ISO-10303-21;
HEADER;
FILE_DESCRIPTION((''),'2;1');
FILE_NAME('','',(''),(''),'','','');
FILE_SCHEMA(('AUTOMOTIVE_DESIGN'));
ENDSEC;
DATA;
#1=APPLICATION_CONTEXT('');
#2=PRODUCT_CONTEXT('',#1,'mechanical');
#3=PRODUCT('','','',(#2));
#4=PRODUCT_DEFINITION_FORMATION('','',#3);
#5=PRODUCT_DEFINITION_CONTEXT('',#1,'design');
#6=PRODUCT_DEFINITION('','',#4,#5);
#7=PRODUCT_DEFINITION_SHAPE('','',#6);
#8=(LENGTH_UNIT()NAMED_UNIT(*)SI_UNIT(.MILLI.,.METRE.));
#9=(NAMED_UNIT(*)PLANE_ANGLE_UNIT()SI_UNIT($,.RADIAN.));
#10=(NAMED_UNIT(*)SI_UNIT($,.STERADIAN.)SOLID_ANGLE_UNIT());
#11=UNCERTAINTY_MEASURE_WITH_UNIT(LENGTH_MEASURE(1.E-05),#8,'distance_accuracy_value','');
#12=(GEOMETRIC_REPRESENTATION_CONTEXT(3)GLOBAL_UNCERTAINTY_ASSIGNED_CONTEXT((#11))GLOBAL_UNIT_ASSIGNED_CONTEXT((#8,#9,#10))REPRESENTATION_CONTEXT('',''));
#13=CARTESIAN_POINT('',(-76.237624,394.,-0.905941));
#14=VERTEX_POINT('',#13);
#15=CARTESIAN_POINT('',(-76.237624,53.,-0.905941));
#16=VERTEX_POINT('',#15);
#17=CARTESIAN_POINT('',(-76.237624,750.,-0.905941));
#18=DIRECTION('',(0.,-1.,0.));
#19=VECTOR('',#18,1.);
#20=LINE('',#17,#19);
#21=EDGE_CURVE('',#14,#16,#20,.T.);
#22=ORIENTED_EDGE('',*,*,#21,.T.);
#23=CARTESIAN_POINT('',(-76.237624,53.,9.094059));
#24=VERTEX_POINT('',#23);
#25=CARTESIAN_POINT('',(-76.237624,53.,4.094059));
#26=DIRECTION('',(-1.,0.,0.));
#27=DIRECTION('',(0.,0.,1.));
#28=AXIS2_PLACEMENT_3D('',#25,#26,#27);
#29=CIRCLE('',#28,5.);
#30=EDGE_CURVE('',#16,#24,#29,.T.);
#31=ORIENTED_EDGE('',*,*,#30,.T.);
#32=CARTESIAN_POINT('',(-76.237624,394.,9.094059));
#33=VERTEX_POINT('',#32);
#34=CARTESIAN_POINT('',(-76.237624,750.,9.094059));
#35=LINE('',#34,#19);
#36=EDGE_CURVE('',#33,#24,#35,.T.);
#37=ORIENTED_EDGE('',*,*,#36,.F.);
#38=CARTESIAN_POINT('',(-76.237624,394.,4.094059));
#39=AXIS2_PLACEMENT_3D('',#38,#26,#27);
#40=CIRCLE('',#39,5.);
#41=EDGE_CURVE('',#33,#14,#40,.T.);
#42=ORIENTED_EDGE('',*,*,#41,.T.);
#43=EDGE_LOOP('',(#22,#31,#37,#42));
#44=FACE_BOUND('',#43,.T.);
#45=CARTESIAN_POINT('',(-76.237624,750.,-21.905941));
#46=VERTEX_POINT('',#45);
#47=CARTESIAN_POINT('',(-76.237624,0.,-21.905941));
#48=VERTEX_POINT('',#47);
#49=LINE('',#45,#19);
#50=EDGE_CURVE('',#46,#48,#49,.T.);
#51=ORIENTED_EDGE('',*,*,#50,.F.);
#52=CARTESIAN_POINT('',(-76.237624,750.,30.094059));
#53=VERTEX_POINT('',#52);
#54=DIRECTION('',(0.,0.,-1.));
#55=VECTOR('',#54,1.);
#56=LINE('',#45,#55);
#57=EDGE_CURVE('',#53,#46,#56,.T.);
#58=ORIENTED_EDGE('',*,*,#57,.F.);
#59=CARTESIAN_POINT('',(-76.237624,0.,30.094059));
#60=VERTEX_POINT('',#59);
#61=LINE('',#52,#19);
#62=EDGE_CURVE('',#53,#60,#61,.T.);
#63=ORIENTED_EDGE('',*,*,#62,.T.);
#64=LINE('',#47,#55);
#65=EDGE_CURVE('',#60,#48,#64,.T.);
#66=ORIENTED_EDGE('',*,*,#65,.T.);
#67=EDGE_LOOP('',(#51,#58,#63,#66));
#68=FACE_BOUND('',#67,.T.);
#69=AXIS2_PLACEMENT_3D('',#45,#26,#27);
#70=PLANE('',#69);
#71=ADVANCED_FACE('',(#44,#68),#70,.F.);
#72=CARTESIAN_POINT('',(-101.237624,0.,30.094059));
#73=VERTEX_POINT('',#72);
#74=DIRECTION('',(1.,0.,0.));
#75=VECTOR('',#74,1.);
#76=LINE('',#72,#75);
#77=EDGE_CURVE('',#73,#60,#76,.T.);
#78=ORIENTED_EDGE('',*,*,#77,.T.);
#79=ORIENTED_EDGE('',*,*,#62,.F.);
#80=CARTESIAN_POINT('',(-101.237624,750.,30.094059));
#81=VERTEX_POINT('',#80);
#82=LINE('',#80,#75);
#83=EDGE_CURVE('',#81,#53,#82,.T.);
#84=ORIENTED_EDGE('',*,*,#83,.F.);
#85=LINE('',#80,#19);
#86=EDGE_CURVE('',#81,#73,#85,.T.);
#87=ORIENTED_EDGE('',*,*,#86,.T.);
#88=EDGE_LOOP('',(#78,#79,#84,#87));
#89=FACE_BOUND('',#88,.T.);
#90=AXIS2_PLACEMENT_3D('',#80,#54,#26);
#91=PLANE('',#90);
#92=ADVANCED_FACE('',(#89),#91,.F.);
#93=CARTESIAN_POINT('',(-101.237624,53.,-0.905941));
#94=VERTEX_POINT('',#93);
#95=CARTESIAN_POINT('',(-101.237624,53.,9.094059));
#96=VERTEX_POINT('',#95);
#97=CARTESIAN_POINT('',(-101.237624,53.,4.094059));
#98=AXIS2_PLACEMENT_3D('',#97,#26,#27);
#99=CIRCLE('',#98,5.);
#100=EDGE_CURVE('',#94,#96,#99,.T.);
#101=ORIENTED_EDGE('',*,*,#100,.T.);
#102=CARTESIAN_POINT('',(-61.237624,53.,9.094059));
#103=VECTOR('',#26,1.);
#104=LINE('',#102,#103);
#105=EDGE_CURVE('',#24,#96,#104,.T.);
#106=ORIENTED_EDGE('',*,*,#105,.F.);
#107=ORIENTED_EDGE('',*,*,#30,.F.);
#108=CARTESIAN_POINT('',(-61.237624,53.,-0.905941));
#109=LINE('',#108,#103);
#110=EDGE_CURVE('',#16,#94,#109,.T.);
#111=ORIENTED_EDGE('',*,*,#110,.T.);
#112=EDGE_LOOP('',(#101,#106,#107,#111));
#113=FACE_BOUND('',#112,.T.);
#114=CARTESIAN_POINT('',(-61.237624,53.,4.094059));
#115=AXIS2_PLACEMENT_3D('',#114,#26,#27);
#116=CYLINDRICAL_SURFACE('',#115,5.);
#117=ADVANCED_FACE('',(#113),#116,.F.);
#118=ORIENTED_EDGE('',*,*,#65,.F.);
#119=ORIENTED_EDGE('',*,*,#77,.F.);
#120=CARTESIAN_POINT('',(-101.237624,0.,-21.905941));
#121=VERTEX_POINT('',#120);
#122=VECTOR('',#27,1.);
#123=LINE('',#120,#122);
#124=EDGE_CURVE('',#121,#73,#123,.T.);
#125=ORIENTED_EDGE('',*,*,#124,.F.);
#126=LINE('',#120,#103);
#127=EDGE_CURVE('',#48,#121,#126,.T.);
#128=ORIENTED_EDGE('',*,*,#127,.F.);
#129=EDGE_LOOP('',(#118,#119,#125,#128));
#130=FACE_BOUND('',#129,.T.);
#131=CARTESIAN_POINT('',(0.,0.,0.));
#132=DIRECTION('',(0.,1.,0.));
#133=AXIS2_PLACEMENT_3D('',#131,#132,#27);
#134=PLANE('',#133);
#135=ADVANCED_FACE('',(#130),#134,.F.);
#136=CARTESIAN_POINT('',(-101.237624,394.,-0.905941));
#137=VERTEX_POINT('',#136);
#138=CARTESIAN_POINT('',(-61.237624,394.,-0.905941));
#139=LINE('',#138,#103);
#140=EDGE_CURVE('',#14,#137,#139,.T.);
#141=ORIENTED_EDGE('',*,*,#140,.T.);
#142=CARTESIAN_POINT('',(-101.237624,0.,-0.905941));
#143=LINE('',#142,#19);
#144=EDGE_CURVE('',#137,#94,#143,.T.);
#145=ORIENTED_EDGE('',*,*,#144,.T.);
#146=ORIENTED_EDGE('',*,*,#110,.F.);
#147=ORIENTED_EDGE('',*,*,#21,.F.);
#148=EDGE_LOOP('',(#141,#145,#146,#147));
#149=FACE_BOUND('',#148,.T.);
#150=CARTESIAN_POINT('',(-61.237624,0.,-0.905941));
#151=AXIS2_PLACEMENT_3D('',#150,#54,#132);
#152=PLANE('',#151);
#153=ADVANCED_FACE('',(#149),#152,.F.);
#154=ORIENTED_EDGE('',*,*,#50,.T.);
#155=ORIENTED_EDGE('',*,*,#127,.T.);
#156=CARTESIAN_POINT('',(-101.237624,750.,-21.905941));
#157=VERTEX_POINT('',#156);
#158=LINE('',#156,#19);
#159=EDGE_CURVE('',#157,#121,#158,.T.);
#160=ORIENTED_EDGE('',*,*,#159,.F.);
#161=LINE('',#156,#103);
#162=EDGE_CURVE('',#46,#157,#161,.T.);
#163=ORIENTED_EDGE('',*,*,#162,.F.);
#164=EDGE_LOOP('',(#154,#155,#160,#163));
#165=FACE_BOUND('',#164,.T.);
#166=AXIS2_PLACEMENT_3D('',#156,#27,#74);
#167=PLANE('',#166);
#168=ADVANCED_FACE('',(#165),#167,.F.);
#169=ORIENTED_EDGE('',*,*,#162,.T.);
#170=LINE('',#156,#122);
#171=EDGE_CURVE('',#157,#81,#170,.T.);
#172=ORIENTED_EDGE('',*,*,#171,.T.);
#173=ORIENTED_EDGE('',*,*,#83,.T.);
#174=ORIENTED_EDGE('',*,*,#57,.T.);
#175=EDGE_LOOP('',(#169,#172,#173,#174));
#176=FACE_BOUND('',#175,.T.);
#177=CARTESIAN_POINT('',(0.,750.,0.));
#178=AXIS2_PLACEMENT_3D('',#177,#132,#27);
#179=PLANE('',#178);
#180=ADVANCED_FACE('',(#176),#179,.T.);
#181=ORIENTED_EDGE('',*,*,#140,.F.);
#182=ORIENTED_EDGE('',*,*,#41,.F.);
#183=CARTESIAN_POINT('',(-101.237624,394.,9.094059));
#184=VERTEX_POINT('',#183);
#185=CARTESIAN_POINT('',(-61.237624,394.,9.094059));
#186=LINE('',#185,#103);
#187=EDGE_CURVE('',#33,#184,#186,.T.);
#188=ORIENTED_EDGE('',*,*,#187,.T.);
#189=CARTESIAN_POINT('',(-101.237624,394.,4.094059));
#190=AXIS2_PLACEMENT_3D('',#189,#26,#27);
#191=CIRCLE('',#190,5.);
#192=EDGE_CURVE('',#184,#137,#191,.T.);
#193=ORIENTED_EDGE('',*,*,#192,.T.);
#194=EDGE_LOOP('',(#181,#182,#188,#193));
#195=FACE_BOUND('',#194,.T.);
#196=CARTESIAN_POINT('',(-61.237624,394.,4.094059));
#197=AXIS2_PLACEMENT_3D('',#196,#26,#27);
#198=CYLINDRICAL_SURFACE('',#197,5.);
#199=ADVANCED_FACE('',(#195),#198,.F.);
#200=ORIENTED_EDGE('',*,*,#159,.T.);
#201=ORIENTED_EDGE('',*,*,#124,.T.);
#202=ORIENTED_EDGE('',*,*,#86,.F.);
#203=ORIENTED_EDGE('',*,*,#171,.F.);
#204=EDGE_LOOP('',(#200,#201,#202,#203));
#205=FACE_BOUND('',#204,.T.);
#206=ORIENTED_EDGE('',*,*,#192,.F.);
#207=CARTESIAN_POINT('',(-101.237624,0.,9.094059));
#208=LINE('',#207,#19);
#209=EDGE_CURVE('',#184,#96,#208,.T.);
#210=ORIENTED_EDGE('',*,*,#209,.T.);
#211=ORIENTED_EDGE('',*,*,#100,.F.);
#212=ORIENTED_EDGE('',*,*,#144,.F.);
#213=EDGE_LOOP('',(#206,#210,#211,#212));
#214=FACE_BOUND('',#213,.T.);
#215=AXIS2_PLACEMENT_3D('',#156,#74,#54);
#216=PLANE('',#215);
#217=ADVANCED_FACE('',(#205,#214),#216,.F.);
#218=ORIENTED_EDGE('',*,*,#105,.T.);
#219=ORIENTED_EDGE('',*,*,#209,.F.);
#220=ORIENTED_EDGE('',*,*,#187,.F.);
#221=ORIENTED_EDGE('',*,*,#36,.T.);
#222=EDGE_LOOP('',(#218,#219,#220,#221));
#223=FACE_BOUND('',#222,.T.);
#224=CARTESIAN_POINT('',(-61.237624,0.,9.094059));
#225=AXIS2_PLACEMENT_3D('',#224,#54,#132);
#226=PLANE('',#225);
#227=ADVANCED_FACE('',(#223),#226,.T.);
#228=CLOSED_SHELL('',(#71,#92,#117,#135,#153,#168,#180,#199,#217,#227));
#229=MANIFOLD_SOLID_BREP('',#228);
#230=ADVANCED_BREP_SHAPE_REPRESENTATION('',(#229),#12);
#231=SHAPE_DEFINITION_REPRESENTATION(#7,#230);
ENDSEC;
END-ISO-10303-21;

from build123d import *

# Parameters (mm, degrees)
SKETCH1_W           = 25
SKETCH1_H           = 52
BOSS_EXTRUDE1_DEPTH = 750
CUT_EXTRUDE2_DEPTH  = 40


with BuildPart() as part:
    # Sketch1 → Boss-Extrude1 (new body)
    with BuildSketch(Plane(origin=(0, 0, 0), x_dir=(1, 0, 0), z_dir=(0, 1, 0))):
        with Locations((-88.737623762, -4.094059406)):
            Rectangle(SKETCH1_W, SKETCH1_H)
    extrude(amount=BOSS_EXTRUDE1_DEPTH)

    # Sketch3 → Cut-Extrude2 (cut)
    with BuildSketch(Plane.ZY.offset(101.237623762)):
        with BuildLine():
            ThreePointArc((4.094059406, 58), (0.5585255, 56.535533906), (-0.905940594, 53))
            ThreePointArc((-0.905940594, 53), (0.5585255, 49.464466094), (4.094059406, 48))
            Line((4.094059406, 48), (4.094059406, 53))
            Line((4.094059406, 53), (4.094059406, 58))
        make_face()
        with BuildLine():
            ThreePointArc((9.094059406, 53), (7.629593312, 56.535533906), (4.094059406, 58))
            Line((4.094059406, 58), (4.094059406, 53))
            Line((4.094059406, 53), (4.094059406, 48))
            ThreePointArc((4.094059406, 48), (7.629593312, 49.464466094), (9.094059406, 53))
        make_face()
        with BuildLine():
            ThreePointArc((4.094059406, 58), (0.5585255, 56.535533906), (-0.905940594, 53))
            ThreePointArc((-0.905940594, 53), (0.5585255, 49.464466094), (4.094059406, 48))
            Line((4.094059406, 48), (4.094059406, 53))
            Line((4.094059406, 53), (4.094059406, 58))
        make_face()
        with BuildLine():
            ThreePointArc((9.094059406, 53), (7.629593312, 56.535533906), (4.094059406, 58))
            Line((4.094059406, 58), (4.094059406, 53))
            Line((4.094059406, 53), (4.094059406, 48))
            ThreePointArc((4.094059406, 48), (7.629593312, 49.464466094), (9.094059406, 53))
        make_face()
        with BuildLine():
            ThreePointArc((9.094059406, 394), (7.629593312, 390.464466094), (4.094059406, 389))
            Line((4.094059406, 389), (4.094059406, 58))
            ThreePointArc((4.094059406, 58), (7.629593312, 56.535533906), (9.094059406, 53))
            Line((9.094059406, 53), (9.094059406, 394))
        make_face()
        with BuildLine():
            ThreePointArc((4.094059406, 389), (0.5585255, 390.464466094), (-0.905940594, 394))
            Line((-0.905940594, 394), (-0.905940594, 53))
            ThreePointArc((-0.905940594, 53), (0.5585255, 56.535533906), (4.094059406, 58))
            Line((4.094059406, 58), (4.094059406, 389))
        make_face()
        with BuildLine():
            ThreePointArc((4.094059406, 399), (0.5585255, 397.535533906), (-0.905940594, 394))
            ThreePointArc((-0.905940594, 394), (0.5585255, 390.464466094), (4.094059406, 389))
            Line((4.094059406, 389), (4.094059406, 394))
            Line((4.094059406, 394), (4.094059406, 399))
        make_face()
        with BuildLine():
            ThreePointArc((9.094059406, 394), (7.629593312, 397.535533906), (4.094059406, 399))
            Line((4.094059406, 399), (4.094059406, 394))
            Line((4.094059406, 394), (4.094059406, 389))
            ThreePointArc((4.094059406, 389), (7.629593312, 390.464466094), (9.094059406, 394))
        make_face()
        with BuildLine():
            ThreePointArc((4.094059406, 399), (0.5585255, 397.535533906), (-0.905940594, 394))
            ThreePointArc((-0.905940594, 394), (0.5585255, 390.464466094), (4.094059406, 389))
            Line((4.094059406, 389), (4.094059406, 394))
            Line((4.094059406, 394), (4.094059406, 399))
        make_face()
        with BuildLine():
            ThreePointArc((9.094059406, 394), (7.629593312, 397.535533906), (4.094059406, 399))
            Line((4.094059406, 399), (4.094059406, 394))
            Line((4.094059406, 394), (4.094059406, 389))
            ThreePointArc((4.094059406, 389), (7.629593312, 390.464466094), (9.094059406, 394))
        make_face()
    extrude(amount=-CUT_EXTRUDE2_DEPTH, mode=Mode.SUBTRACT)


solid = part.part
